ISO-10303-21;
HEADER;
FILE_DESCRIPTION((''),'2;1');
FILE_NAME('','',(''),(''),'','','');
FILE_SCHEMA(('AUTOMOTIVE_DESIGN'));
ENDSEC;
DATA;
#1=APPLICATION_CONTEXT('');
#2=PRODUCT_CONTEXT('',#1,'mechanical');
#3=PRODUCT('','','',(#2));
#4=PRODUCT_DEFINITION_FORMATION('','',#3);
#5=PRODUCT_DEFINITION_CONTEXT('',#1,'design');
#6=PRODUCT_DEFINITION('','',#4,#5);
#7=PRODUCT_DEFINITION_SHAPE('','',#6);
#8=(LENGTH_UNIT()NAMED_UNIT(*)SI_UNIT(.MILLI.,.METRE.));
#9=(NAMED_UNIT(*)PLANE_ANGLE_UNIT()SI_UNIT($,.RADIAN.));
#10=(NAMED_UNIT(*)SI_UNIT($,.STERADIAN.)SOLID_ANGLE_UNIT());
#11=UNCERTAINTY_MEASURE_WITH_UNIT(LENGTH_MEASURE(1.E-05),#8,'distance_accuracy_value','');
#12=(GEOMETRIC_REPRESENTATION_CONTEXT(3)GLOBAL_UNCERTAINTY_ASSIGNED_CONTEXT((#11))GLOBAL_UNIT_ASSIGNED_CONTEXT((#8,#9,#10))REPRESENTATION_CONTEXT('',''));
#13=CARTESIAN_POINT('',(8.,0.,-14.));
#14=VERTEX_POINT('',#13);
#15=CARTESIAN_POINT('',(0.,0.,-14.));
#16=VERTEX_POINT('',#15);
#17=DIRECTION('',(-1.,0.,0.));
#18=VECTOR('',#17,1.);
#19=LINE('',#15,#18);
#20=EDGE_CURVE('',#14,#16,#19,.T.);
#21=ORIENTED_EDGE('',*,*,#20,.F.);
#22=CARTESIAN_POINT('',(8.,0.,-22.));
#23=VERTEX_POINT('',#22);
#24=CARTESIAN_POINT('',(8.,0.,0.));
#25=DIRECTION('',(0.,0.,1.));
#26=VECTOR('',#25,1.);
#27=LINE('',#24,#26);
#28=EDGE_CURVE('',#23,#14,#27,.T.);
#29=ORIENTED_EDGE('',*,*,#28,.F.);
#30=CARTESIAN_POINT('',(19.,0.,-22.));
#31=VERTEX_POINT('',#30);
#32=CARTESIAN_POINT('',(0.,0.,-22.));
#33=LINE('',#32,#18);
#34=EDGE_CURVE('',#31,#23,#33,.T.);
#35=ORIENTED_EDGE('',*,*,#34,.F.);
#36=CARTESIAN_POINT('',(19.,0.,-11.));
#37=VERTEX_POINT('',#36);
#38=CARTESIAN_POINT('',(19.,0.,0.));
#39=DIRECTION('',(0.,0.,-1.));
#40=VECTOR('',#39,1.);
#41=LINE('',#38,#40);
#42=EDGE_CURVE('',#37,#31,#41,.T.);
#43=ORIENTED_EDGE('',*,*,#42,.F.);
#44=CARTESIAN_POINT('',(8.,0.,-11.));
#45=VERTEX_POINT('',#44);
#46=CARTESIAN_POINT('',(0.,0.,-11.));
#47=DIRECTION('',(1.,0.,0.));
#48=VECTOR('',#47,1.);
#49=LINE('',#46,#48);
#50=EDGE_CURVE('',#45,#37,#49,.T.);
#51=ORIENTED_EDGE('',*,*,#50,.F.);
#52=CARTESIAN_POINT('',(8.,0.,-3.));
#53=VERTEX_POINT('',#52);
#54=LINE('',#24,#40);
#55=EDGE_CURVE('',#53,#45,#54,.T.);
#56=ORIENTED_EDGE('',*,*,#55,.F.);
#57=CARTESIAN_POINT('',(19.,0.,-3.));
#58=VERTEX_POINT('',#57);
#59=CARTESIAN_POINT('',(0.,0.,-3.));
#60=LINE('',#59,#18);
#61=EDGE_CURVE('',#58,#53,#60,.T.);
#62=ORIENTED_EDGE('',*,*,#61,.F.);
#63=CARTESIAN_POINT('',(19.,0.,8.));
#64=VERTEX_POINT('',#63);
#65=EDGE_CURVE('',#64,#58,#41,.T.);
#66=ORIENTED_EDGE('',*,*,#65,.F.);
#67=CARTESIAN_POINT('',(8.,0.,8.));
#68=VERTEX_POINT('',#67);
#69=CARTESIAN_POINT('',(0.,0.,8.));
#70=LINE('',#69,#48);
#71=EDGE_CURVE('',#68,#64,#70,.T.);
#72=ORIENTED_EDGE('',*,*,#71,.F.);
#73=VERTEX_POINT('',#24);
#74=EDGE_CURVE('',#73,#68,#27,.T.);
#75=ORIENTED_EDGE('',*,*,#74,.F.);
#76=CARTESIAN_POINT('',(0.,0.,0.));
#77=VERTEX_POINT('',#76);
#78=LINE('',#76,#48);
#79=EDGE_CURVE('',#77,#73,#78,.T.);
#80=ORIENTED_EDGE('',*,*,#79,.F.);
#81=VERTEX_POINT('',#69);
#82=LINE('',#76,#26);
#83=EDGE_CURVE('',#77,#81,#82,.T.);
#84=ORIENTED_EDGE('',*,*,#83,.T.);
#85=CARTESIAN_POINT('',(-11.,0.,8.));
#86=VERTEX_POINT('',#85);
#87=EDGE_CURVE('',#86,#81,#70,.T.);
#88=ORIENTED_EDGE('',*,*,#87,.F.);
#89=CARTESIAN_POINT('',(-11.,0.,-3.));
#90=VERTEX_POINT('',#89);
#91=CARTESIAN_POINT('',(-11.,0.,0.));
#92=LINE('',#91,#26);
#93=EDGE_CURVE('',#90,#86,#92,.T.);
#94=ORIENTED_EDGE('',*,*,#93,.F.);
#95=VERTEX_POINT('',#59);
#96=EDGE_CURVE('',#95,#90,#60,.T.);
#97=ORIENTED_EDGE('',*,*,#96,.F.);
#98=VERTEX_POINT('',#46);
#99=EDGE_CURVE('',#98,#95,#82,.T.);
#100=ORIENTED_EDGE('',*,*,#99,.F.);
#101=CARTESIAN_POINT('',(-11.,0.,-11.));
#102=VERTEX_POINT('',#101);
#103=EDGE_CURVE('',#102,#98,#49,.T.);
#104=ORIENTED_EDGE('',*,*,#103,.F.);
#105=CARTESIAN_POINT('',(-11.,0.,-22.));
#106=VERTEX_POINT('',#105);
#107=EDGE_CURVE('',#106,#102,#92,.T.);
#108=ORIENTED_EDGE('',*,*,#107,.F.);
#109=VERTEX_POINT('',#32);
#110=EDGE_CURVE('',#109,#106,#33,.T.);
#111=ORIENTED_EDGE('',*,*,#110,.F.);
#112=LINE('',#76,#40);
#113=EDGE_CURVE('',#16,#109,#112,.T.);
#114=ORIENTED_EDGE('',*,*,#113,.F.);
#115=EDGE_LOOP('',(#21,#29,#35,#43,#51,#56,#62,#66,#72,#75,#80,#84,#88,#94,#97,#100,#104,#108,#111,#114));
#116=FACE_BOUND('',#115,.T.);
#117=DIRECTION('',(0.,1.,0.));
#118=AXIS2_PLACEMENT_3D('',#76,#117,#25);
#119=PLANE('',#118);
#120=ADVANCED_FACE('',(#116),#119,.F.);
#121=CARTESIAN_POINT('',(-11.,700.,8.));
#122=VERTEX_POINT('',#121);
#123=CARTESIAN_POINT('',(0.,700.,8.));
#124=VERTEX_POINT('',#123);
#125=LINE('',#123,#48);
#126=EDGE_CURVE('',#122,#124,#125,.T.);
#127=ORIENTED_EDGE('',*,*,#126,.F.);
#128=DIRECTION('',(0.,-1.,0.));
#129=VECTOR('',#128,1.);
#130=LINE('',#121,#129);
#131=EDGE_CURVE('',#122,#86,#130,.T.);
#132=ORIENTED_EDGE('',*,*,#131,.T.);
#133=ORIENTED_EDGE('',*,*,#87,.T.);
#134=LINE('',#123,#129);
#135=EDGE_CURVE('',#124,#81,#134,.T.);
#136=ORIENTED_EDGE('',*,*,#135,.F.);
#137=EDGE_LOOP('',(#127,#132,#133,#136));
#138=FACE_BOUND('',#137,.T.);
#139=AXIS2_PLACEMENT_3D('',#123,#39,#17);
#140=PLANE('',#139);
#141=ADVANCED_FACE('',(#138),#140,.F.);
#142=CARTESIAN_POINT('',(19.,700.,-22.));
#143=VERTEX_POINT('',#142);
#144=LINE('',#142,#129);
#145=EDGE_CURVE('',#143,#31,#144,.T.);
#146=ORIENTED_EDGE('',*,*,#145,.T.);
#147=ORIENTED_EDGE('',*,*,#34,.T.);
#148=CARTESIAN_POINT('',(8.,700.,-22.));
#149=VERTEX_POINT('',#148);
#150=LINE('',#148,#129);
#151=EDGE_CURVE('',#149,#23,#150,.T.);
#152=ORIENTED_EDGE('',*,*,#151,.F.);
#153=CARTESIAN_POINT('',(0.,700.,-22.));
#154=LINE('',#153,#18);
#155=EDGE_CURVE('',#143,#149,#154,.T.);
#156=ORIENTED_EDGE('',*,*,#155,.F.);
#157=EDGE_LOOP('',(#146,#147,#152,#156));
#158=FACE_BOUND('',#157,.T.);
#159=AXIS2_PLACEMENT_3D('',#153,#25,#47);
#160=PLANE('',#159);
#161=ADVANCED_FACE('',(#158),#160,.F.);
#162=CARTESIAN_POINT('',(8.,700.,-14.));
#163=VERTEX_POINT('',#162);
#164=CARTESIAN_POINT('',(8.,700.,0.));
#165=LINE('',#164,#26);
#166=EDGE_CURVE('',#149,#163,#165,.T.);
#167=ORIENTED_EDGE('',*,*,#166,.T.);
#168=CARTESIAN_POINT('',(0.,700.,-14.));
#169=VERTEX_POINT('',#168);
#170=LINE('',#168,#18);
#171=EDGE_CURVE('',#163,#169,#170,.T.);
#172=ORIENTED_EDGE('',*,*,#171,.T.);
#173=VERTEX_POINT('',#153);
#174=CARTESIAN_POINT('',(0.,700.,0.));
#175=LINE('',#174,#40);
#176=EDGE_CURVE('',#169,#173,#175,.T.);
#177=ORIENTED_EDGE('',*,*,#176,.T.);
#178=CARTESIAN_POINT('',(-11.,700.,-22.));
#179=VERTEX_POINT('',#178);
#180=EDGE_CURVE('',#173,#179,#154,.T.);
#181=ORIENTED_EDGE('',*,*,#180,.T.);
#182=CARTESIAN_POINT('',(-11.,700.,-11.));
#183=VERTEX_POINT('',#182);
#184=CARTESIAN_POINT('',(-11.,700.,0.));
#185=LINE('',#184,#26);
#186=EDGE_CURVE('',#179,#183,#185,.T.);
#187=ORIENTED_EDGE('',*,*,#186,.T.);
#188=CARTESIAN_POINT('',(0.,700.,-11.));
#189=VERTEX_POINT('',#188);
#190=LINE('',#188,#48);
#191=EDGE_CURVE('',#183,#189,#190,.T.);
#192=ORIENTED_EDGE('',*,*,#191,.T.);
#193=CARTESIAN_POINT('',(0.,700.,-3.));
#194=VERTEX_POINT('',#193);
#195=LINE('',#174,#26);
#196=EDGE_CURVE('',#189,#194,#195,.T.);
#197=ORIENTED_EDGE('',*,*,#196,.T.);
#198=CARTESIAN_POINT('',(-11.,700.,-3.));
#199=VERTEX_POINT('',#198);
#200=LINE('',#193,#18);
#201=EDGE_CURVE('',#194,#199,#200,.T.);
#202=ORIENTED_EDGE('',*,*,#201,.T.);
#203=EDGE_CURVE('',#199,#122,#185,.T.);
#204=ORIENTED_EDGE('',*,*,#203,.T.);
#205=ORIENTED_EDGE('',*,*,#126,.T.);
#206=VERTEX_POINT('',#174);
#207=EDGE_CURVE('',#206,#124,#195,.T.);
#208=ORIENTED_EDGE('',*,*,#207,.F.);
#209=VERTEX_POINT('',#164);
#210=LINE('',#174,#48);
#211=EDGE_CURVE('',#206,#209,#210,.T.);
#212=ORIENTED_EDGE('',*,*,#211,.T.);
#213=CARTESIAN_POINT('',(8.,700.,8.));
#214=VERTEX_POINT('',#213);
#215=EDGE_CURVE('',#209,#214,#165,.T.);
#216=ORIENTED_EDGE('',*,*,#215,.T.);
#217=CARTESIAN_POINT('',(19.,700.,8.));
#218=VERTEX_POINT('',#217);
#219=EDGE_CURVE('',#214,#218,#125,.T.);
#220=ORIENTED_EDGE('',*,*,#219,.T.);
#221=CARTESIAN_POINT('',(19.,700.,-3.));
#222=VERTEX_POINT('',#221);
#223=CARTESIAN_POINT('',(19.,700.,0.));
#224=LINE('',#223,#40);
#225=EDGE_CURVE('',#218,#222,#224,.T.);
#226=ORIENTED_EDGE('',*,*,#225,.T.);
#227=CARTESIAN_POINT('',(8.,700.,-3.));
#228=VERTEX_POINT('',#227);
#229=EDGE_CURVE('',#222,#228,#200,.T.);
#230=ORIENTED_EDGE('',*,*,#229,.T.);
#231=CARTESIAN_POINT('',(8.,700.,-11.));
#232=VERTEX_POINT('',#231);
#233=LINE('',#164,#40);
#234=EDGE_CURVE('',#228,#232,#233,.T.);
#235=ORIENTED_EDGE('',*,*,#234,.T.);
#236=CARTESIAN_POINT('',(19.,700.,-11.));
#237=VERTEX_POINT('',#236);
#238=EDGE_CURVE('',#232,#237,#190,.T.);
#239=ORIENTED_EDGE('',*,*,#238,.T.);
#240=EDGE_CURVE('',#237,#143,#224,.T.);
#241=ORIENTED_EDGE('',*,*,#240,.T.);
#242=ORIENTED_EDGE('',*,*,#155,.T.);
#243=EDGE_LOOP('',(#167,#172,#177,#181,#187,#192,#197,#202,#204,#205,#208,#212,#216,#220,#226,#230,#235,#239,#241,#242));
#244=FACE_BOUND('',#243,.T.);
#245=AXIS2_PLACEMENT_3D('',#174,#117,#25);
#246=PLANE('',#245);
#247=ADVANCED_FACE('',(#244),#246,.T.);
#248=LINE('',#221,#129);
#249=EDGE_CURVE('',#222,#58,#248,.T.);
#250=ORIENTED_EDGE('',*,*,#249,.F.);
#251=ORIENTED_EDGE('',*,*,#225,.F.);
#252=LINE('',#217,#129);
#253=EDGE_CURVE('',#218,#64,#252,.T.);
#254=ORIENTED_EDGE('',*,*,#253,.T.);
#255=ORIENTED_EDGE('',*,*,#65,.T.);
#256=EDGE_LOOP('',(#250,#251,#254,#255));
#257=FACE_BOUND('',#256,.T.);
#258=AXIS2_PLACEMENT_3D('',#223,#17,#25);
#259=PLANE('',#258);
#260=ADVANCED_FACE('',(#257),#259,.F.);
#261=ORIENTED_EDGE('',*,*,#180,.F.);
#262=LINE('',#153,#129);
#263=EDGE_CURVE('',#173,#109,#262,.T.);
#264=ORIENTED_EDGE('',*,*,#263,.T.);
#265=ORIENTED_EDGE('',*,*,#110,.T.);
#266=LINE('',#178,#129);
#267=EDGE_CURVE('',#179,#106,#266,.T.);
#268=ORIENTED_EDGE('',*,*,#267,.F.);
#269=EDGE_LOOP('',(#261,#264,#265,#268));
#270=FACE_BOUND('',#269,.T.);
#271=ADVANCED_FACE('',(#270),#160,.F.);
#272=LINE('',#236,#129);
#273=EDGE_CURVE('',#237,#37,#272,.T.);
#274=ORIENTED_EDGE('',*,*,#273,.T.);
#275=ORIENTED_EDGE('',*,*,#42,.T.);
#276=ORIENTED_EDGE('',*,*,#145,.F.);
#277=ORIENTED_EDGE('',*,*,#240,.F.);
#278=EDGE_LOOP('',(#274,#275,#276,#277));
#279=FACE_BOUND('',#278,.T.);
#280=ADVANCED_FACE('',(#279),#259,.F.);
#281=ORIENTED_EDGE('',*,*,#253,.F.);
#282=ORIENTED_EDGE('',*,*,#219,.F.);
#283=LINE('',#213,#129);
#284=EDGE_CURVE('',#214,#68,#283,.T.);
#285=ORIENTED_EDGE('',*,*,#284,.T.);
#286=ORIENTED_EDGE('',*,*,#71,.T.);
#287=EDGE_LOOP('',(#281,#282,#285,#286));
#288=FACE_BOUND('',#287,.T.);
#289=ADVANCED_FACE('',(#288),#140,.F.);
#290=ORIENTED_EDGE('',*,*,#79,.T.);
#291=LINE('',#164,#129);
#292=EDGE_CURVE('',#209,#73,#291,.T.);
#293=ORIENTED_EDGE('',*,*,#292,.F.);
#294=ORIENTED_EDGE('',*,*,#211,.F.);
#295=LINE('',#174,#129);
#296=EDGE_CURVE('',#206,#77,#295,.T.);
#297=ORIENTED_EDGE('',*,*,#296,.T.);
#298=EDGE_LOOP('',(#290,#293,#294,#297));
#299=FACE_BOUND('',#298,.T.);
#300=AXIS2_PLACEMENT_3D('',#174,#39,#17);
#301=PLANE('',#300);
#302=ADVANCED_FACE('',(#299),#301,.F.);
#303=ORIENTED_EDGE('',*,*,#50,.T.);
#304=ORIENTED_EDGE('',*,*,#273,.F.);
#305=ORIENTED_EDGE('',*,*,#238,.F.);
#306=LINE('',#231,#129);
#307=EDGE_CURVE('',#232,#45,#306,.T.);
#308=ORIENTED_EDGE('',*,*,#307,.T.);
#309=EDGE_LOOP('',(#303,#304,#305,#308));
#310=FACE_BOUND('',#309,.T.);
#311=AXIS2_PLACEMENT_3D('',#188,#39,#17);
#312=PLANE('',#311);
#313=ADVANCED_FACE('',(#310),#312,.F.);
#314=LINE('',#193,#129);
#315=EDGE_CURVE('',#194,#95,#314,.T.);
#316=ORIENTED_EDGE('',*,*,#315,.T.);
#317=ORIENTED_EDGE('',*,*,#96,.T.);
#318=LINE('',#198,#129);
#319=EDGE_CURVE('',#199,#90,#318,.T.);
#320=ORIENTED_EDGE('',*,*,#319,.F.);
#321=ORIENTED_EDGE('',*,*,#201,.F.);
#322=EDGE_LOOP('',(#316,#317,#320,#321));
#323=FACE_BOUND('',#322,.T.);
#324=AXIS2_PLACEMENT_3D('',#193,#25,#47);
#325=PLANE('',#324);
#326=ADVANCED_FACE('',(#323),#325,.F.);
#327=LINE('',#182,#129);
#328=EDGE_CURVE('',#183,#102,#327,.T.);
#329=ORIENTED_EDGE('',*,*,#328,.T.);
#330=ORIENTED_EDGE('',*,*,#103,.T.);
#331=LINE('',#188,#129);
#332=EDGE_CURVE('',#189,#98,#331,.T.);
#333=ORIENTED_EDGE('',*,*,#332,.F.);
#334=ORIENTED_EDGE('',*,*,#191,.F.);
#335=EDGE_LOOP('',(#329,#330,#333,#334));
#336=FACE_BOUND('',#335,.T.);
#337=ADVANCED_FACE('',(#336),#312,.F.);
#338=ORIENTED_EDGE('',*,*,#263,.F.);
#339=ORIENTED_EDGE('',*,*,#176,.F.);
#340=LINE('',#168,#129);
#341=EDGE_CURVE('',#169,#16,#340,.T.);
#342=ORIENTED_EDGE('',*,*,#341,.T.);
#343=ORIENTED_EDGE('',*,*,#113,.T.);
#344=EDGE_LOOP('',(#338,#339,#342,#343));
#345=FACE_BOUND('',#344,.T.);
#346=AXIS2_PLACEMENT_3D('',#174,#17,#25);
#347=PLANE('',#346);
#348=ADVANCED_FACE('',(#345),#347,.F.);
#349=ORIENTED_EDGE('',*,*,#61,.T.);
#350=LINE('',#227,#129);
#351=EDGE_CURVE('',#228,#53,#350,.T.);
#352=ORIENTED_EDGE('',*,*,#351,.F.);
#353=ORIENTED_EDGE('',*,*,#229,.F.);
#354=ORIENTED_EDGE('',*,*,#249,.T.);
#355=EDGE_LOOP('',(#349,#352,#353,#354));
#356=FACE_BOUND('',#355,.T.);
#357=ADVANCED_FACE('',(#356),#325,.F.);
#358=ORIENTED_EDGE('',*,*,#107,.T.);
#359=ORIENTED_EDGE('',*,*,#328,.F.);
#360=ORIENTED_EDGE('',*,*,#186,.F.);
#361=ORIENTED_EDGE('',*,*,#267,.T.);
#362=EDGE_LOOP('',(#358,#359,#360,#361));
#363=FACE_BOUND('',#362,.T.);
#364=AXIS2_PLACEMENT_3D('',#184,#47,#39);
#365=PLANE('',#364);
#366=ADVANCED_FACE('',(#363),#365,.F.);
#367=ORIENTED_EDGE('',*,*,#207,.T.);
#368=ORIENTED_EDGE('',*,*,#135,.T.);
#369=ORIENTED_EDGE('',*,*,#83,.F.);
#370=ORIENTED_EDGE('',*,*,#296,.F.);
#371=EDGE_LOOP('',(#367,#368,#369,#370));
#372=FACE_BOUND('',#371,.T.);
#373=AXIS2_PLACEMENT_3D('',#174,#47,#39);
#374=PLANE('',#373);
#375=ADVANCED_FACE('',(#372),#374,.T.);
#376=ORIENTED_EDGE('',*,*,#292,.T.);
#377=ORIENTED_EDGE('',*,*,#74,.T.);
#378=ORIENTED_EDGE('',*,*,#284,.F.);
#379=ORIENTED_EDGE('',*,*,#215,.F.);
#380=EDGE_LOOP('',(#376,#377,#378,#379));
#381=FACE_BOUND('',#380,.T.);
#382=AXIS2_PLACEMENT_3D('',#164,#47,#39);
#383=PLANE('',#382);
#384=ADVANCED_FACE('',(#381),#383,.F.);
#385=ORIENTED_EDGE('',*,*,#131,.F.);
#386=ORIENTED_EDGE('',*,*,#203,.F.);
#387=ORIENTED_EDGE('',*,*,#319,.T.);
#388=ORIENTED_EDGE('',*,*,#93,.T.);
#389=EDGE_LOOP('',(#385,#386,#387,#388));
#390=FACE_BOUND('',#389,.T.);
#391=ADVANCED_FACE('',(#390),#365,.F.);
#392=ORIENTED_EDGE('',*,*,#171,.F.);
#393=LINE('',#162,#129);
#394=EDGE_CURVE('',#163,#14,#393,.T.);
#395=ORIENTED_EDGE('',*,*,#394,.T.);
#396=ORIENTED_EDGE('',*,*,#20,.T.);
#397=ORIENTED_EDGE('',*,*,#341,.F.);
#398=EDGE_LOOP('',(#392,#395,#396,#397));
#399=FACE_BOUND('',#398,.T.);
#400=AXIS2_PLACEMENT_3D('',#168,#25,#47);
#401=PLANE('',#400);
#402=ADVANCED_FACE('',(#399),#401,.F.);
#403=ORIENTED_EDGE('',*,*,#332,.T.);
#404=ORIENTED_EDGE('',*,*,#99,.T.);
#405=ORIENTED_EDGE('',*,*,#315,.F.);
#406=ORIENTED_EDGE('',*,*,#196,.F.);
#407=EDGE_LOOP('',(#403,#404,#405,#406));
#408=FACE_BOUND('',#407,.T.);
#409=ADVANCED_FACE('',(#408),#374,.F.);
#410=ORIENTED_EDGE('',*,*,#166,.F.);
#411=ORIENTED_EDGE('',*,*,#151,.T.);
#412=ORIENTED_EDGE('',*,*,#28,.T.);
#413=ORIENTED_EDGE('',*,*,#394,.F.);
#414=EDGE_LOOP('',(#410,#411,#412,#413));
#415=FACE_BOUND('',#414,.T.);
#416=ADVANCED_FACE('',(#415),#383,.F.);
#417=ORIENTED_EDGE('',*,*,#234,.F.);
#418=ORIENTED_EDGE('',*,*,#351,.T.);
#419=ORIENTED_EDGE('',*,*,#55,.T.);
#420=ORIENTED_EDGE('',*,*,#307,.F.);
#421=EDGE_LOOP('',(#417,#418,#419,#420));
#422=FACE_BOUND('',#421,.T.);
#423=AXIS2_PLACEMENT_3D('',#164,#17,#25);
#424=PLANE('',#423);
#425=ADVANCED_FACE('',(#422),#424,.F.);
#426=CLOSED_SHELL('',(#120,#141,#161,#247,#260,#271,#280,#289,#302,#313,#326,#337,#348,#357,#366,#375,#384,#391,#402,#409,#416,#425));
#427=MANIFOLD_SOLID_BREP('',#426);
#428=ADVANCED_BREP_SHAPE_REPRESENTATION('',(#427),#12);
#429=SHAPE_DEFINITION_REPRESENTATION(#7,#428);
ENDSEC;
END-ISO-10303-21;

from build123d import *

# Parameters (mm, degrees)
BOSS_EXTRUDE1_DEPTH = 700


with BuildPart() as part:
    # Sketch1 → Boss-Extrude1 (new body)
    with BuildSketch(Plane(origin=(0, 0, 0), x_dir=(1, 0, 0), z_dir=(0, 1, 0))):
        Polygon((-11, 3), (-11, -8), (0, -8), (0, 0), (8, 0), (8, -8), (19, -8), (19, 3), (8, 3), (8, 11), (19, 11), (19, 22), (8, 22), (8, 14), (0, 14), (0, 22), (-11, 22), (-11, 11), (0, 11), (0, 3), align=None)
    extrude(amount=BOSS_EXTRUDE1_DEPTH)


solid = part.part
